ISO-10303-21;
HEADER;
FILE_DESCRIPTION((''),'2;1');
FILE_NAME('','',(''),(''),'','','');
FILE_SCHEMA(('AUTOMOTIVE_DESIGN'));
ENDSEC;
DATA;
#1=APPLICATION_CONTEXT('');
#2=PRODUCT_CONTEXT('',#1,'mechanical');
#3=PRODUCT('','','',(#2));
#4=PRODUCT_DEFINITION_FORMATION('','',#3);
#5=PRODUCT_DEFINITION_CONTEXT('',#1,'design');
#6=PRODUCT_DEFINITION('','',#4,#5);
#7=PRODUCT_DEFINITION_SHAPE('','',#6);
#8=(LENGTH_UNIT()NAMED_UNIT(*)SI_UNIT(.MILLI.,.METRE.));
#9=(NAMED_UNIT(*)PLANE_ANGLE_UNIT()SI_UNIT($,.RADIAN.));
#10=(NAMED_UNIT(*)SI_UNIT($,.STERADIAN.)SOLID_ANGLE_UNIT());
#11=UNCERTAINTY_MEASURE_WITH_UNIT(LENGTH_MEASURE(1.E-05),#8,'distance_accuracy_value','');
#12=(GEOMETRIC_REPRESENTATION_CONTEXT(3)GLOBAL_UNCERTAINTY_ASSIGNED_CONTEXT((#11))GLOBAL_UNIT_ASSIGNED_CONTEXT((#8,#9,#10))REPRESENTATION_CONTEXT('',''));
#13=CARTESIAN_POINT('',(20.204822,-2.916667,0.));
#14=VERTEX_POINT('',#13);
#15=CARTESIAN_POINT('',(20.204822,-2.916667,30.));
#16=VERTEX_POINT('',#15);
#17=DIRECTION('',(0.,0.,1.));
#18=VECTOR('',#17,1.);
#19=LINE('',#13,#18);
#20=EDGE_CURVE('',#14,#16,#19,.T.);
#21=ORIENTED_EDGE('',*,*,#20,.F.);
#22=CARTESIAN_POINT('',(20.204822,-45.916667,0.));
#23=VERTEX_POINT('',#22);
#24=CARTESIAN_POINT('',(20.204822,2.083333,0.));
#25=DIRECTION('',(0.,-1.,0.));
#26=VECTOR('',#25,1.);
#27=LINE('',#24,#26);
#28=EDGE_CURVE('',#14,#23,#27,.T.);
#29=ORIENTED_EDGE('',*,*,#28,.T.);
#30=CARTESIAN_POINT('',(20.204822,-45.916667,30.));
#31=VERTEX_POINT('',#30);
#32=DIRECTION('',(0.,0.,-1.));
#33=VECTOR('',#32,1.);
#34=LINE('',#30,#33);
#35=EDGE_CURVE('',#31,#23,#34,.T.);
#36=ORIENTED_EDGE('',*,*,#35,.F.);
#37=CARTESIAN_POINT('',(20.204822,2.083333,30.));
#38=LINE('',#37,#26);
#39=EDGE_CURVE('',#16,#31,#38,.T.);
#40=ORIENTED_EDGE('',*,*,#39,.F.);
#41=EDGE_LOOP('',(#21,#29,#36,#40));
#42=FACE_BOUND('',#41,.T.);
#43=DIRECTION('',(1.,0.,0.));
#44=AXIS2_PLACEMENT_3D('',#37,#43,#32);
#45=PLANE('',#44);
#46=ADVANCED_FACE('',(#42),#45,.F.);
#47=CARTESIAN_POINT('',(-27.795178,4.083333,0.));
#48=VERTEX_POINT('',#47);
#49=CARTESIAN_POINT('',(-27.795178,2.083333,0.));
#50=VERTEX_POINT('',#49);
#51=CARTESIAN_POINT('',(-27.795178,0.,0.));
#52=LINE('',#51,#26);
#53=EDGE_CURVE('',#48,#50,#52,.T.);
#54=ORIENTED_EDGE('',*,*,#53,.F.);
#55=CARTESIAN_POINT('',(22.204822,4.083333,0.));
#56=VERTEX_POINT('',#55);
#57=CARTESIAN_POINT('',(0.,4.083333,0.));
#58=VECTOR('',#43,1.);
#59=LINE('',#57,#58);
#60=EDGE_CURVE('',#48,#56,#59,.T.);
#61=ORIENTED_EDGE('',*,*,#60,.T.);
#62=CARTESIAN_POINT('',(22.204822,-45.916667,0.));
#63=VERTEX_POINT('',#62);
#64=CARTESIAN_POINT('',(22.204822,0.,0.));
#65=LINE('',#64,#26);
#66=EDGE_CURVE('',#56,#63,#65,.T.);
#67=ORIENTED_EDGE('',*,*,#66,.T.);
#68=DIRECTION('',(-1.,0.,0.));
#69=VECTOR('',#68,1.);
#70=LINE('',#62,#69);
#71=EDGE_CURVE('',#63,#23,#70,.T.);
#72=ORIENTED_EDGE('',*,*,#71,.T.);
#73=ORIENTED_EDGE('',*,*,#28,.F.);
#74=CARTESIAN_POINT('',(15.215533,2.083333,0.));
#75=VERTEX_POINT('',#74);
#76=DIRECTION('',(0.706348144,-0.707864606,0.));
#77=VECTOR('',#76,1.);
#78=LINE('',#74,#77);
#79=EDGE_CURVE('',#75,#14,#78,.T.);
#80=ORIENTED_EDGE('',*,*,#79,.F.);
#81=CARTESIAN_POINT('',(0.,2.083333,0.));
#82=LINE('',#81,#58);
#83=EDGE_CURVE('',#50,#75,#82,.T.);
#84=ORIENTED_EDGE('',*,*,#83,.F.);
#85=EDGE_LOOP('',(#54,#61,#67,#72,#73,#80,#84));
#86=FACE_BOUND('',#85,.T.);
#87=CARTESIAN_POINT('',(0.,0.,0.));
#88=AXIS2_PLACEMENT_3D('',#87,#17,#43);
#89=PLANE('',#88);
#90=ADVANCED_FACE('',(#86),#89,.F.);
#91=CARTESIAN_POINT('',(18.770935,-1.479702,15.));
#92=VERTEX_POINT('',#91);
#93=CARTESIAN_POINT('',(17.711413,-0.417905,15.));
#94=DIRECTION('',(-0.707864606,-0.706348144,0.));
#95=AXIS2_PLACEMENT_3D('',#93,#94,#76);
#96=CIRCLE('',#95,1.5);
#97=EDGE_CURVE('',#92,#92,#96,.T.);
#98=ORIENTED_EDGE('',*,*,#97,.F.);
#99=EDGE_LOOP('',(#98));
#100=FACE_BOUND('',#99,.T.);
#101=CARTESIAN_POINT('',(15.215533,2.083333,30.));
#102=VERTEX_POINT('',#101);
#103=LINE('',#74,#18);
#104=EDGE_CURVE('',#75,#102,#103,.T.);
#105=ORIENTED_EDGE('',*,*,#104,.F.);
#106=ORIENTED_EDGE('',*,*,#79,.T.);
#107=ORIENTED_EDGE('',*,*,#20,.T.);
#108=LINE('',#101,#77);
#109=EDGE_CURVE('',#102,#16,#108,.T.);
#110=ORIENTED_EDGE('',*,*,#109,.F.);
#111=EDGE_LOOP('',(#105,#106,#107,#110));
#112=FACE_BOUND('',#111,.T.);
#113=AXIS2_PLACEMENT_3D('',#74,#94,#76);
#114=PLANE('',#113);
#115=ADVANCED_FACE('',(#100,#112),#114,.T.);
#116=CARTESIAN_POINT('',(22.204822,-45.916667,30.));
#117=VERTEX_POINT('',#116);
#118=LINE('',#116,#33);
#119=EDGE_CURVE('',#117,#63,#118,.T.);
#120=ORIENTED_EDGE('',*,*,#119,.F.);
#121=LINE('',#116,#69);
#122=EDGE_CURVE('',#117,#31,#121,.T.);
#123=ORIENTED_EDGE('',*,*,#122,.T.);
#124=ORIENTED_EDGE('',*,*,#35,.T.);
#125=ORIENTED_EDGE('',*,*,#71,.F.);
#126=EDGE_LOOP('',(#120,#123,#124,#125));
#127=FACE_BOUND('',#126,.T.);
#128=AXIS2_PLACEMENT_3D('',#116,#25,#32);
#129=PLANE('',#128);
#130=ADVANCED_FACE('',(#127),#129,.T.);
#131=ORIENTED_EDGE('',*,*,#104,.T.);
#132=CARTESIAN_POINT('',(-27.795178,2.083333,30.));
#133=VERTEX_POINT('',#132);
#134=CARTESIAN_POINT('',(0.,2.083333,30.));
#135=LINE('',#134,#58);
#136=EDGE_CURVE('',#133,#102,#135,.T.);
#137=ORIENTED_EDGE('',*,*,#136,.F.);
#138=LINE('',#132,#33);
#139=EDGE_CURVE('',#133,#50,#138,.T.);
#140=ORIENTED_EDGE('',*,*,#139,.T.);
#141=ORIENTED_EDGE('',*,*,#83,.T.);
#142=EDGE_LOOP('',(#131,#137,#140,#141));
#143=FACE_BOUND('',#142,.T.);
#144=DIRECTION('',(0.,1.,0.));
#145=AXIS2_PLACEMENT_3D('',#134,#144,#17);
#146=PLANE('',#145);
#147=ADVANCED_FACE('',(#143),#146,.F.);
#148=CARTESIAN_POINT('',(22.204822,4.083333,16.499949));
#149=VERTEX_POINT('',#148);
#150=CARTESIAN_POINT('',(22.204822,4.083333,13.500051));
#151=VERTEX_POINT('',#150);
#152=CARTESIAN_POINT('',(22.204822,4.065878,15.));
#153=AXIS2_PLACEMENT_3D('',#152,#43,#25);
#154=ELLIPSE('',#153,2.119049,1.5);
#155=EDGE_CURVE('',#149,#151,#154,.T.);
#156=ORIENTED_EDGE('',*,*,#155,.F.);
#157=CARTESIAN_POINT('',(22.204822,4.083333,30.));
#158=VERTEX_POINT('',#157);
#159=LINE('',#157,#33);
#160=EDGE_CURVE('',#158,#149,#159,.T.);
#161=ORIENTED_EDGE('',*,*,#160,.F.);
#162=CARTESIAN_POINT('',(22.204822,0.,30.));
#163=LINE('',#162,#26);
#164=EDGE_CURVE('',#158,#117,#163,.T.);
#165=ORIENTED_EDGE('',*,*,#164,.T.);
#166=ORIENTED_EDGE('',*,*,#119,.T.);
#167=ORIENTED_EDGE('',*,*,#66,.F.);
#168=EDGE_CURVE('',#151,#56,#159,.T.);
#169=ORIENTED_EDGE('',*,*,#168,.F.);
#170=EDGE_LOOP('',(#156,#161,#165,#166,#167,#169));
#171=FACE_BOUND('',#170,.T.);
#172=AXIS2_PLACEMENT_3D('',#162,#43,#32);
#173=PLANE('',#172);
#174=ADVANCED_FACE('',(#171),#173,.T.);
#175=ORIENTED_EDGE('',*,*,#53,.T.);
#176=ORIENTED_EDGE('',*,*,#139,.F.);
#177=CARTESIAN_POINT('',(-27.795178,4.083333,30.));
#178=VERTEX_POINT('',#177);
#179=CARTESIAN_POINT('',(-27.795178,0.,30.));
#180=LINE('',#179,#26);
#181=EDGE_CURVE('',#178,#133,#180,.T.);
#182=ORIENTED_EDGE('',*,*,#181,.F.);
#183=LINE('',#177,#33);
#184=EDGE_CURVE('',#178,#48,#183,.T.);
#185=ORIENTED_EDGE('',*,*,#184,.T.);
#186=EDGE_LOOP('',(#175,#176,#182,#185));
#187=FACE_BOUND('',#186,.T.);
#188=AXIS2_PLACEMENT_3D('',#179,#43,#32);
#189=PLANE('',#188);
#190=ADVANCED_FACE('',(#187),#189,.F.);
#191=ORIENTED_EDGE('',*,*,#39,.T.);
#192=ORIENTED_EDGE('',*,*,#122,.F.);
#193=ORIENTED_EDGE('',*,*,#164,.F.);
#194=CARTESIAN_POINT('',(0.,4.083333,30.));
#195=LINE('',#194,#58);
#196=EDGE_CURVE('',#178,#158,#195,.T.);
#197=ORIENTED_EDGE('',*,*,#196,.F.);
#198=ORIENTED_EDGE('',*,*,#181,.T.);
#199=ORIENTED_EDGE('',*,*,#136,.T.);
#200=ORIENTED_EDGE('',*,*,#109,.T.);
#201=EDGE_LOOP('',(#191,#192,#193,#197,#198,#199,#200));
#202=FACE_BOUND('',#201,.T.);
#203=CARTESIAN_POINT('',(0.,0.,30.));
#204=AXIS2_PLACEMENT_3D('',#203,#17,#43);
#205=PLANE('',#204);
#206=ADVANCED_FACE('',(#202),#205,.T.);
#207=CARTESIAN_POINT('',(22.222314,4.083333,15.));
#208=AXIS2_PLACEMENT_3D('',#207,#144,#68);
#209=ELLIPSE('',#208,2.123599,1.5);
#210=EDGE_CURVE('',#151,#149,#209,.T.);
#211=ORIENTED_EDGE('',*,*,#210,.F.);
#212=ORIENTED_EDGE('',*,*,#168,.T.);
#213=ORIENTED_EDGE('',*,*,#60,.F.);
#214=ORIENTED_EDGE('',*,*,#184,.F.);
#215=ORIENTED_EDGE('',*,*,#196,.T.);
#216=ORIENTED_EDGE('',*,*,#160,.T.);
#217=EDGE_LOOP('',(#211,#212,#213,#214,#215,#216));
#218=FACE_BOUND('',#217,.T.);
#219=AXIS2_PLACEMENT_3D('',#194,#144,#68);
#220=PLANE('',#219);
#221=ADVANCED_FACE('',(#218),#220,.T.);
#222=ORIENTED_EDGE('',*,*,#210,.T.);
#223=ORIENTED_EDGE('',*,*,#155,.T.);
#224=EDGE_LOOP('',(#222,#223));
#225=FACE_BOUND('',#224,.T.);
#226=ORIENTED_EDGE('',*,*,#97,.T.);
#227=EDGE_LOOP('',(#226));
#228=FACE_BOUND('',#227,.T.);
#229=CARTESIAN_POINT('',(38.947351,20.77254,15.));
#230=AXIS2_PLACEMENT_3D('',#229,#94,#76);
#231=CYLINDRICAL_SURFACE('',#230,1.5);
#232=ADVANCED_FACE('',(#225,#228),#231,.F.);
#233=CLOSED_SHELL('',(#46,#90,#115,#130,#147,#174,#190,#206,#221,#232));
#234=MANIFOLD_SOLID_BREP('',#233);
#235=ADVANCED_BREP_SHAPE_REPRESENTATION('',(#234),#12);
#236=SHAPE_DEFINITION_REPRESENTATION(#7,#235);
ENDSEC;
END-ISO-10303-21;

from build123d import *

# Parameters (mm, degrees)
AUFSATZ_LINEAR_AUSTRAGEN1_DEPTH = 30
AUFSATZ_LINEAR_AUSTRAGEN2_DEPTH = 30
SKIZZE3_R                       = 1.5
SCHNITT_LINEAR_AUSTRAGEN1_DEPTH = 30


with BuildPart() as part:
    # Skizze1 → Aufsatz-Linear austragen1 (new body)
    with BuildSketch(Plane.XY):
        Polygon((22.204821564, 4.083333333), (-27.795178436, 4.083333333), (-27.795178436, 2.083333333), (20.204821564, 2.083333333), (20.204821564, -45.916666667), (22.204821564, -45.916666667), align=None)
    extrude(amount=AUFSATZ_LINEAR_AUSTRAGEN1_DEPTH)

    # Skizze2 → Aufsatz-Linear austragen2 (add)
    with BuildSketch(Plane.XY.offset(30)):
        Polygon((15.215533088, 2.083333333), (20.204821564, -2.916666667), (20.204821564, 2.083333333), align=None)
    extrude(amount=-AUFSATZ_LINEAR_AUSTRAGEN2_DEPTH)

    # Skizze3 → Schnitt-Linear austragen1 (cut)
    with BuildSketch(Plane(origin=(8.665746428, 8.647181758, 0), x_dir=(0, 0, 1), z_dir=(-0.7078646055315657, -0.7063481437900443, 0))):
        with Locations((15, -12.806243307)):
            Circle(SKIZZE3_R)
    extrude(amount=-SCHNITT_LINEAR_AUSTRAGEN1_DEPTH, mode=Mode.SUBTRACT)


solid = part.part
